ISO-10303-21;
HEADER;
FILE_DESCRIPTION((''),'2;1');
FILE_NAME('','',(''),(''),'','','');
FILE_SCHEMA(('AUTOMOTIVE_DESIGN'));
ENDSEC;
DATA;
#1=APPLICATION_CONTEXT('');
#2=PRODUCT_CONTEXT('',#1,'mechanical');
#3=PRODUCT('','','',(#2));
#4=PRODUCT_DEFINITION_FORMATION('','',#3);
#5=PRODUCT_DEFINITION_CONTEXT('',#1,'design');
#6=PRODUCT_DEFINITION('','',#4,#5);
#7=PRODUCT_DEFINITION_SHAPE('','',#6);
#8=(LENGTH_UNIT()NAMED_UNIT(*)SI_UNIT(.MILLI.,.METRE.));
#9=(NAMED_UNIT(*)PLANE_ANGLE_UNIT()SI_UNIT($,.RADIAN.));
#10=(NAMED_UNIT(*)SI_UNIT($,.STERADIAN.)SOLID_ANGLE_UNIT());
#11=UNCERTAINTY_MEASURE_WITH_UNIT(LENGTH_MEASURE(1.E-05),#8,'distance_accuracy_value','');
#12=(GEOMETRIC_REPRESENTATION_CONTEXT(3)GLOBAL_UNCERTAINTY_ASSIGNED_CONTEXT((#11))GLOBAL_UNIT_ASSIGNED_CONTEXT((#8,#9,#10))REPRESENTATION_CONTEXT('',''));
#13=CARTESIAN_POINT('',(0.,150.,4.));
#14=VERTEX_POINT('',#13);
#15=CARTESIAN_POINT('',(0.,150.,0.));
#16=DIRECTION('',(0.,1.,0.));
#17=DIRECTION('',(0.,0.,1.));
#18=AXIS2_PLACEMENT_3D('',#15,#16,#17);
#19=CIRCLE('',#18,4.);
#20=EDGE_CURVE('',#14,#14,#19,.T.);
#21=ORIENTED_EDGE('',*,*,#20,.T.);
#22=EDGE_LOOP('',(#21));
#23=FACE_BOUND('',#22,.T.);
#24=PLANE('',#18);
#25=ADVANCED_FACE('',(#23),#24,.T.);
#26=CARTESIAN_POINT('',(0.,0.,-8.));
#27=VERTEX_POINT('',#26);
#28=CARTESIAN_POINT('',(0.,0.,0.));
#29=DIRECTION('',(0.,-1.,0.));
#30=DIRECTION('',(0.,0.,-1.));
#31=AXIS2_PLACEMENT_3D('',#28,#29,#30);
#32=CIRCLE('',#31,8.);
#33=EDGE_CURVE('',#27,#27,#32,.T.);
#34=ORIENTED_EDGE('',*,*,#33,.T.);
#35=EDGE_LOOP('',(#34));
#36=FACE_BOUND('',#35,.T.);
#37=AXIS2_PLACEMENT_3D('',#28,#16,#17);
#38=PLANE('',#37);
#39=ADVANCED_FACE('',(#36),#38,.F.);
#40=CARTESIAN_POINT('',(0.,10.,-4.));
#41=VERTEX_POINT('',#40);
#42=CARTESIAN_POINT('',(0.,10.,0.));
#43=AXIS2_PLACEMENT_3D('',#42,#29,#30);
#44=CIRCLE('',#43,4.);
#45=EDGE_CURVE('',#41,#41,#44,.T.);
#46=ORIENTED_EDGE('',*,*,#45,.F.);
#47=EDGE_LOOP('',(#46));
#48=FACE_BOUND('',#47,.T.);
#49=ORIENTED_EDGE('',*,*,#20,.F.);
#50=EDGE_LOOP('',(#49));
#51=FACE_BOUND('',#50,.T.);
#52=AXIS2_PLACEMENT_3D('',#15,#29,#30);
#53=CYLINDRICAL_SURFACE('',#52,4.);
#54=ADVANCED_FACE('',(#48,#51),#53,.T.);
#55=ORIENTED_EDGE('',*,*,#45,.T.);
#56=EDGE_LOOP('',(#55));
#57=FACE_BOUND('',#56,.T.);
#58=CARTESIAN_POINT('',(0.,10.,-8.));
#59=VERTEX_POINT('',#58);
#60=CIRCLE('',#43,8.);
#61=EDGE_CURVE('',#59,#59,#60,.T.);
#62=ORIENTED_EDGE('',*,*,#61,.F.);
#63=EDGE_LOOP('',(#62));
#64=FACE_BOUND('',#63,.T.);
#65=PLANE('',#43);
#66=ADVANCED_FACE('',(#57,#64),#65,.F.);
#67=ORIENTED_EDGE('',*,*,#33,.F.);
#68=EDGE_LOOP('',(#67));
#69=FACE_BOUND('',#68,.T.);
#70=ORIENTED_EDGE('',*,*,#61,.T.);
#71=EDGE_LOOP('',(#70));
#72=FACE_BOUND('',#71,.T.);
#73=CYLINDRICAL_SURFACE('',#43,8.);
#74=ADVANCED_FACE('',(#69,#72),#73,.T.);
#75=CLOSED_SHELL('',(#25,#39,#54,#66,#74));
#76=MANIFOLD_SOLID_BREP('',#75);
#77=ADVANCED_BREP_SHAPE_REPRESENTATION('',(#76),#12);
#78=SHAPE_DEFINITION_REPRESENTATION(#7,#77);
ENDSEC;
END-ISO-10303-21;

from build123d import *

# Parameters (mm, degrees)
SKETCH1_R           = 4
BOSS_EXTRUDE1_DEPTH = 150
SKETCH2_R           = 8
BOSS_EXTRUDE2_DEPTH = 10


with BuildPart() as part:
    # Sketch1 → Boss-Extrude1 (new body)
    with BuildSketch(Plane(origin=(0, 0, 0), x_dir=(1, 0, 0), z_dir=(0, 1, 0))):
        Circle(SKETCH1_R)
    extrude(amount=BOSS_EXTRUDE1_DEPTH)

    # Sketch2 → Boss-Extrude2 (add)
    with BuildSketch(Plane.XZ):
        Circle(SKETCH2_R)
    extrude(amount=-BOSS_EXTRUDE2_DEPTH)


solid = part.part
